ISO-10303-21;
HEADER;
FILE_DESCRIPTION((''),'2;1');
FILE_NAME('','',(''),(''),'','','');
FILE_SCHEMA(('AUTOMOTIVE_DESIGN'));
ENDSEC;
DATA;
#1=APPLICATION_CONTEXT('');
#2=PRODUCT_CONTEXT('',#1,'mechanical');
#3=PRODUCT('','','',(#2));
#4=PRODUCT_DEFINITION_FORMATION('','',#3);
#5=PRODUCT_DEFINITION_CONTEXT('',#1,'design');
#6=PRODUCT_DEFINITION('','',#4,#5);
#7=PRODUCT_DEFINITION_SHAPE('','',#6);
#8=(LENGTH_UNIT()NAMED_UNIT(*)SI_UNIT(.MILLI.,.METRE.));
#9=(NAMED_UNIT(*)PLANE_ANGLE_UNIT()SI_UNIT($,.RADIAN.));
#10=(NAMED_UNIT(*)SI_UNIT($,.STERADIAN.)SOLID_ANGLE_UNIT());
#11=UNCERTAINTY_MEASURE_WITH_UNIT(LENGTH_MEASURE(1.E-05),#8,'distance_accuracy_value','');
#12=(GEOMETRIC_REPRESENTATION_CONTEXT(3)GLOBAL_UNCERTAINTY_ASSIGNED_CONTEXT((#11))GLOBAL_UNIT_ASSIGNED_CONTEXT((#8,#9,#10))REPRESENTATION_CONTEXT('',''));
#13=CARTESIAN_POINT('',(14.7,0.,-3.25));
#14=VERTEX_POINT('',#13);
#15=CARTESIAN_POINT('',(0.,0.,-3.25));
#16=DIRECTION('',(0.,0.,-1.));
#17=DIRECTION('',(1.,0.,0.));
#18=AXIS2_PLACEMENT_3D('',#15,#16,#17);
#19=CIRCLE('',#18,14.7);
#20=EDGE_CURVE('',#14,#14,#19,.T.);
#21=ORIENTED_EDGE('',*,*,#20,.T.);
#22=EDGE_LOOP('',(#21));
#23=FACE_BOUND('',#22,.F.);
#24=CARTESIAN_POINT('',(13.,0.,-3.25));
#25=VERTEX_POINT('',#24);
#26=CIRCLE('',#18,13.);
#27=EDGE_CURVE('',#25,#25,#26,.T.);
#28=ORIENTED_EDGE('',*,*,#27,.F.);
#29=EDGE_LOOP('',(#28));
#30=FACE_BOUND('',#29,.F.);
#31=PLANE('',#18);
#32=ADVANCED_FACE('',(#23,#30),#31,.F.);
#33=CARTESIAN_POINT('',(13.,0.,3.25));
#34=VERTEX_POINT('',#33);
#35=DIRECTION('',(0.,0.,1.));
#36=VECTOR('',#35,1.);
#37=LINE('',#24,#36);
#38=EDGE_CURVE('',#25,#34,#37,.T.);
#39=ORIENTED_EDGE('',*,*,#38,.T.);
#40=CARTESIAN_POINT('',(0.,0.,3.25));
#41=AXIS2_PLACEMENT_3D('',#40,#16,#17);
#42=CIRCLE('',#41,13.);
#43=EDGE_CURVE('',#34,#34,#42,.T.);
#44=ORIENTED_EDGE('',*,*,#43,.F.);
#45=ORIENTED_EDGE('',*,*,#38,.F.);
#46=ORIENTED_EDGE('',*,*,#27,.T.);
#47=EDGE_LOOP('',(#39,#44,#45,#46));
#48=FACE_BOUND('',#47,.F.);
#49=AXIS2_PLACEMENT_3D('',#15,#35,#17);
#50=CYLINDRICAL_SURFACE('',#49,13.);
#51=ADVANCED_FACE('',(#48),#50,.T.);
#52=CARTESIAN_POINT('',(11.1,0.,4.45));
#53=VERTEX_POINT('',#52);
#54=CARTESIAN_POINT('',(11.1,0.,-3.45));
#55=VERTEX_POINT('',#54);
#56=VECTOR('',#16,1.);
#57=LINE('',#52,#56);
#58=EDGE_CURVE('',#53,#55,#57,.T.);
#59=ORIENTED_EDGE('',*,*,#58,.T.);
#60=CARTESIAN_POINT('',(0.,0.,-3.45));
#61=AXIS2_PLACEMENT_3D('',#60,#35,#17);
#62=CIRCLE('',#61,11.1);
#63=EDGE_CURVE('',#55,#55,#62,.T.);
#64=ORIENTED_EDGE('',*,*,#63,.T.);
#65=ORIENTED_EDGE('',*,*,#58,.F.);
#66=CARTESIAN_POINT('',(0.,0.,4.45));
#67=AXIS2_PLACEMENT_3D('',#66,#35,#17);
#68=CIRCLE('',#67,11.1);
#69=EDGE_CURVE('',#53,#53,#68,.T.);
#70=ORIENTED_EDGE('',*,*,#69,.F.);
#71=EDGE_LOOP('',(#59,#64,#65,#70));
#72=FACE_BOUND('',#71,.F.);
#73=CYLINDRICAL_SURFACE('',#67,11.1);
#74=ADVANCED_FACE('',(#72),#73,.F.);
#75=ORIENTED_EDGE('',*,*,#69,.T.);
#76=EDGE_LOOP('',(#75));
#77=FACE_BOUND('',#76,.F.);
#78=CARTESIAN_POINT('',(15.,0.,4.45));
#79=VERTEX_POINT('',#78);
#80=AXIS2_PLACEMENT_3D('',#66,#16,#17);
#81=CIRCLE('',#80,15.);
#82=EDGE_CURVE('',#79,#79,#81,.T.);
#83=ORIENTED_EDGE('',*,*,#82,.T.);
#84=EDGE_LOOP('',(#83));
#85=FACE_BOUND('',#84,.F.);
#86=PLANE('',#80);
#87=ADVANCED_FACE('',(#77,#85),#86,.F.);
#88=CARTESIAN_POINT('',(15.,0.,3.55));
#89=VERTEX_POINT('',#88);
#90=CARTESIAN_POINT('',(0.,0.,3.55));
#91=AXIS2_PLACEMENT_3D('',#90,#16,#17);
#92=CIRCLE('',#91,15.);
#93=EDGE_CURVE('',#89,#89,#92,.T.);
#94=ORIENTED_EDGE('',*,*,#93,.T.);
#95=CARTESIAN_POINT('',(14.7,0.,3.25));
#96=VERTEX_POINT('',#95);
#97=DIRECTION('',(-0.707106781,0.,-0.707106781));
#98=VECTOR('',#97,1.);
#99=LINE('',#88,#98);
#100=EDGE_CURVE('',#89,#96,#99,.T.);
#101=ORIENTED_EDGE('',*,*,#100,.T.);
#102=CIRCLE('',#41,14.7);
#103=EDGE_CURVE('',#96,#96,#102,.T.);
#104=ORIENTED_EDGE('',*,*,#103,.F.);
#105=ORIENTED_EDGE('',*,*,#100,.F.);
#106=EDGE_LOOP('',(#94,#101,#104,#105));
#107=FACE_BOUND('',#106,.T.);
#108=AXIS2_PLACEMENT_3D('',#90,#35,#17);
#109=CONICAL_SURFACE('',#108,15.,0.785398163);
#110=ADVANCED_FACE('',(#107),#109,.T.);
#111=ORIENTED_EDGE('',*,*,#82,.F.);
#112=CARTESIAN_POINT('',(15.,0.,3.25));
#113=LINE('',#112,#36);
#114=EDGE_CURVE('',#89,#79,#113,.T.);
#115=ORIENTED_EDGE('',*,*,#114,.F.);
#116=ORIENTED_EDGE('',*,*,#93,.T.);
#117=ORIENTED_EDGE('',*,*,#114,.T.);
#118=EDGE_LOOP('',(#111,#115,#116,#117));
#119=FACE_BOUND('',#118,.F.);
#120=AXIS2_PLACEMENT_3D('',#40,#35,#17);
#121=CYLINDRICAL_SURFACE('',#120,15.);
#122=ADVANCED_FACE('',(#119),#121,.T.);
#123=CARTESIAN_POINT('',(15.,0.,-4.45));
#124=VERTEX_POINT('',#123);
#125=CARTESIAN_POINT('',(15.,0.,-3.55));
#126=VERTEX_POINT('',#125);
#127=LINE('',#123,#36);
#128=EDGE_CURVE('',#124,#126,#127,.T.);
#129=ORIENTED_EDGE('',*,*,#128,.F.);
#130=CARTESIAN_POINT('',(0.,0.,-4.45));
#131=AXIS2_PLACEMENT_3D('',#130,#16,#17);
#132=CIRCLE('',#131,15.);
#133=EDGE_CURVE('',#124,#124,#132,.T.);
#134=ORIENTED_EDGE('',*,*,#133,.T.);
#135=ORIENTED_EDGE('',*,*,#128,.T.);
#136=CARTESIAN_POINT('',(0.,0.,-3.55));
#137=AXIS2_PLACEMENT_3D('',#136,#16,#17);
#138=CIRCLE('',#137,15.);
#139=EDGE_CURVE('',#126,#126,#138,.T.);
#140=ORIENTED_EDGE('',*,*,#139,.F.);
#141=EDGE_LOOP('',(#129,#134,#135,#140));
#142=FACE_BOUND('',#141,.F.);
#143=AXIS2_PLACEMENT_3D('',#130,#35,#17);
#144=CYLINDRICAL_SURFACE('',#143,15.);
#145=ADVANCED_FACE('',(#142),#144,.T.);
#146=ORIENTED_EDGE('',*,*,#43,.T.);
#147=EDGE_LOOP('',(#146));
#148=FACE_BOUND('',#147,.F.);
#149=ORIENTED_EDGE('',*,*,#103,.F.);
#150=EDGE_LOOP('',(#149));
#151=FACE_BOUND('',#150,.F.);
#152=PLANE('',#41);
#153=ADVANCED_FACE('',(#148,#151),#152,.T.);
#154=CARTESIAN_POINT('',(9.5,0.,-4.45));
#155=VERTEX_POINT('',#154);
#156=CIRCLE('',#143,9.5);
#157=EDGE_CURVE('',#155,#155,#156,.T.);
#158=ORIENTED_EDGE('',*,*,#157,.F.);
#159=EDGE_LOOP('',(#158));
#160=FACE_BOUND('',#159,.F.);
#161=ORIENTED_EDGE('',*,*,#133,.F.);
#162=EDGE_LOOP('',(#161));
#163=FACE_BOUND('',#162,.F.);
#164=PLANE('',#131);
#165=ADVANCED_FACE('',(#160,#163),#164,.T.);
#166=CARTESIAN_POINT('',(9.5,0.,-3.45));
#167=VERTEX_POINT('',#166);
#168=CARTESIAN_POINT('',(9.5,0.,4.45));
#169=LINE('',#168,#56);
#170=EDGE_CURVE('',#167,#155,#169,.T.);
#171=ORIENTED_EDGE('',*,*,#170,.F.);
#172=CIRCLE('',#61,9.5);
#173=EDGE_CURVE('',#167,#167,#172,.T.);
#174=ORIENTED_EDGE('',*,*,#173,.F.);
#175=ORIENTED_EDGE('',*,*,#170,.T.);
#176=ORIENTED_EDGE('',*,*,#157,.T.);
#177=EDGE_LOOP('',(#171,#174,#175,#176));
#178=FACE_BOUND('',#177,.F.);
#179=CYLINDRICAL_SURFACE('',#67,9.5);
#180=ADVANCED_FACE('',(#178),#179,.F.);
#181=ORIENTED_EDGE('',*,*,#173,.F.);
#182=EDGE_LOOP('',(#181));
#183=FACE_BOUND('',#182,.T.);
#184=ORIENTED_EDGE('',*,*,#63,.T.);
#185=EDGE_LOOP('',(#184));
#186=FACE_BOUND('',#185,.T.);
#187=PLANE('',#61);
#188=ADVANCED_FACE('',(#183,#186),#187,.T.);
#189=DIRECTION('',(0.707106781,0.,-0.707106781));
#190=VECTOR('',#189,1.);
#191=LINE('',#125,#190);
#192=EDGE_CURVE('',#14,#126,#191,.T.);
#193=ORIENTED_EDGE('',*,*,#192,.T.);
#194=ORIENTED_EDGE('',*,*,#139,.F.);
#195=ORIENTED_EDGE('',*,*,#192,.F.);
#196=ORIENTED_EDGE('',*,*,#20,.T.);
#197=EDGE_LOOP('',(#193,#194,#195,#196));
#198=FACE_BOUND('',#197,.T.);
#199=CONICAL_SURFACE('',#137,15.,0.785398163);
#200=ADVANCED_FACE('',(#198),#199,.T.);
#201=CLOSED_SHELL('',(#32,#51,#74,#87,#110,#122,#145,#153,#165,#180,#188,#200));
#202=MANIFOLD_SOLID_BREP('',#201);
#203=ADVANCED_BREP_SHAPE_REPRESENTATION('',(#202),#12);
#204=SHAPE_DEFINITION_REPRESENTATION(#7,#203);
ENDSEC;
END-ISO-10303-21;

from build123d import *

# Parameters (mm, degrees)
F2_R     = 9.5
F3_DEPTH = 8.9
F2_R_2   = 11.1
F4_DEPTH = 7.9
F5_SIZE  = 0.3


with BuildPart() as f1:
    # F0 (on Front) → F1 (revolve)
    with BuildSketch(Plane.XZ):
        Polygon((15, 4.45), (0, 4.45), (0, -4.45), (15, -4.45), (15, -3.25), (13, -3.25), (13, 3.25), (15, 3.25), align=None)
    revolve(axis=Axis((0, 0, 0), (0, 0, -1)))

    # F2 (on face) → F3 (cut, through all)
    with BuildSketch(Plane.XY.offset(4.45)):
        Circle(F2_R)
    extrude(amount=-F3_DEPTH, mode=Mode.SUBTRACT)

    # F2 (on face) → F4 (cut)
    with BuildSketch(Plane.XY.offset(4.45)):
        Circle(F2_R_2)
        Circle(F2_R, mode=Mode.SUBTRACT)
    extrude(amount=-F4_DEPTH, mode=Mode.SUBTRACT)

    # F5
    f5_edges = [f1.edges().sort_by_distance(p)[0] for p in [
        (-15, 0, -3.25),
        (-15, 0, 3.25),
    ]]
    chamfer(f5_edges, length=F5_SIZE)


solid = f1.part
